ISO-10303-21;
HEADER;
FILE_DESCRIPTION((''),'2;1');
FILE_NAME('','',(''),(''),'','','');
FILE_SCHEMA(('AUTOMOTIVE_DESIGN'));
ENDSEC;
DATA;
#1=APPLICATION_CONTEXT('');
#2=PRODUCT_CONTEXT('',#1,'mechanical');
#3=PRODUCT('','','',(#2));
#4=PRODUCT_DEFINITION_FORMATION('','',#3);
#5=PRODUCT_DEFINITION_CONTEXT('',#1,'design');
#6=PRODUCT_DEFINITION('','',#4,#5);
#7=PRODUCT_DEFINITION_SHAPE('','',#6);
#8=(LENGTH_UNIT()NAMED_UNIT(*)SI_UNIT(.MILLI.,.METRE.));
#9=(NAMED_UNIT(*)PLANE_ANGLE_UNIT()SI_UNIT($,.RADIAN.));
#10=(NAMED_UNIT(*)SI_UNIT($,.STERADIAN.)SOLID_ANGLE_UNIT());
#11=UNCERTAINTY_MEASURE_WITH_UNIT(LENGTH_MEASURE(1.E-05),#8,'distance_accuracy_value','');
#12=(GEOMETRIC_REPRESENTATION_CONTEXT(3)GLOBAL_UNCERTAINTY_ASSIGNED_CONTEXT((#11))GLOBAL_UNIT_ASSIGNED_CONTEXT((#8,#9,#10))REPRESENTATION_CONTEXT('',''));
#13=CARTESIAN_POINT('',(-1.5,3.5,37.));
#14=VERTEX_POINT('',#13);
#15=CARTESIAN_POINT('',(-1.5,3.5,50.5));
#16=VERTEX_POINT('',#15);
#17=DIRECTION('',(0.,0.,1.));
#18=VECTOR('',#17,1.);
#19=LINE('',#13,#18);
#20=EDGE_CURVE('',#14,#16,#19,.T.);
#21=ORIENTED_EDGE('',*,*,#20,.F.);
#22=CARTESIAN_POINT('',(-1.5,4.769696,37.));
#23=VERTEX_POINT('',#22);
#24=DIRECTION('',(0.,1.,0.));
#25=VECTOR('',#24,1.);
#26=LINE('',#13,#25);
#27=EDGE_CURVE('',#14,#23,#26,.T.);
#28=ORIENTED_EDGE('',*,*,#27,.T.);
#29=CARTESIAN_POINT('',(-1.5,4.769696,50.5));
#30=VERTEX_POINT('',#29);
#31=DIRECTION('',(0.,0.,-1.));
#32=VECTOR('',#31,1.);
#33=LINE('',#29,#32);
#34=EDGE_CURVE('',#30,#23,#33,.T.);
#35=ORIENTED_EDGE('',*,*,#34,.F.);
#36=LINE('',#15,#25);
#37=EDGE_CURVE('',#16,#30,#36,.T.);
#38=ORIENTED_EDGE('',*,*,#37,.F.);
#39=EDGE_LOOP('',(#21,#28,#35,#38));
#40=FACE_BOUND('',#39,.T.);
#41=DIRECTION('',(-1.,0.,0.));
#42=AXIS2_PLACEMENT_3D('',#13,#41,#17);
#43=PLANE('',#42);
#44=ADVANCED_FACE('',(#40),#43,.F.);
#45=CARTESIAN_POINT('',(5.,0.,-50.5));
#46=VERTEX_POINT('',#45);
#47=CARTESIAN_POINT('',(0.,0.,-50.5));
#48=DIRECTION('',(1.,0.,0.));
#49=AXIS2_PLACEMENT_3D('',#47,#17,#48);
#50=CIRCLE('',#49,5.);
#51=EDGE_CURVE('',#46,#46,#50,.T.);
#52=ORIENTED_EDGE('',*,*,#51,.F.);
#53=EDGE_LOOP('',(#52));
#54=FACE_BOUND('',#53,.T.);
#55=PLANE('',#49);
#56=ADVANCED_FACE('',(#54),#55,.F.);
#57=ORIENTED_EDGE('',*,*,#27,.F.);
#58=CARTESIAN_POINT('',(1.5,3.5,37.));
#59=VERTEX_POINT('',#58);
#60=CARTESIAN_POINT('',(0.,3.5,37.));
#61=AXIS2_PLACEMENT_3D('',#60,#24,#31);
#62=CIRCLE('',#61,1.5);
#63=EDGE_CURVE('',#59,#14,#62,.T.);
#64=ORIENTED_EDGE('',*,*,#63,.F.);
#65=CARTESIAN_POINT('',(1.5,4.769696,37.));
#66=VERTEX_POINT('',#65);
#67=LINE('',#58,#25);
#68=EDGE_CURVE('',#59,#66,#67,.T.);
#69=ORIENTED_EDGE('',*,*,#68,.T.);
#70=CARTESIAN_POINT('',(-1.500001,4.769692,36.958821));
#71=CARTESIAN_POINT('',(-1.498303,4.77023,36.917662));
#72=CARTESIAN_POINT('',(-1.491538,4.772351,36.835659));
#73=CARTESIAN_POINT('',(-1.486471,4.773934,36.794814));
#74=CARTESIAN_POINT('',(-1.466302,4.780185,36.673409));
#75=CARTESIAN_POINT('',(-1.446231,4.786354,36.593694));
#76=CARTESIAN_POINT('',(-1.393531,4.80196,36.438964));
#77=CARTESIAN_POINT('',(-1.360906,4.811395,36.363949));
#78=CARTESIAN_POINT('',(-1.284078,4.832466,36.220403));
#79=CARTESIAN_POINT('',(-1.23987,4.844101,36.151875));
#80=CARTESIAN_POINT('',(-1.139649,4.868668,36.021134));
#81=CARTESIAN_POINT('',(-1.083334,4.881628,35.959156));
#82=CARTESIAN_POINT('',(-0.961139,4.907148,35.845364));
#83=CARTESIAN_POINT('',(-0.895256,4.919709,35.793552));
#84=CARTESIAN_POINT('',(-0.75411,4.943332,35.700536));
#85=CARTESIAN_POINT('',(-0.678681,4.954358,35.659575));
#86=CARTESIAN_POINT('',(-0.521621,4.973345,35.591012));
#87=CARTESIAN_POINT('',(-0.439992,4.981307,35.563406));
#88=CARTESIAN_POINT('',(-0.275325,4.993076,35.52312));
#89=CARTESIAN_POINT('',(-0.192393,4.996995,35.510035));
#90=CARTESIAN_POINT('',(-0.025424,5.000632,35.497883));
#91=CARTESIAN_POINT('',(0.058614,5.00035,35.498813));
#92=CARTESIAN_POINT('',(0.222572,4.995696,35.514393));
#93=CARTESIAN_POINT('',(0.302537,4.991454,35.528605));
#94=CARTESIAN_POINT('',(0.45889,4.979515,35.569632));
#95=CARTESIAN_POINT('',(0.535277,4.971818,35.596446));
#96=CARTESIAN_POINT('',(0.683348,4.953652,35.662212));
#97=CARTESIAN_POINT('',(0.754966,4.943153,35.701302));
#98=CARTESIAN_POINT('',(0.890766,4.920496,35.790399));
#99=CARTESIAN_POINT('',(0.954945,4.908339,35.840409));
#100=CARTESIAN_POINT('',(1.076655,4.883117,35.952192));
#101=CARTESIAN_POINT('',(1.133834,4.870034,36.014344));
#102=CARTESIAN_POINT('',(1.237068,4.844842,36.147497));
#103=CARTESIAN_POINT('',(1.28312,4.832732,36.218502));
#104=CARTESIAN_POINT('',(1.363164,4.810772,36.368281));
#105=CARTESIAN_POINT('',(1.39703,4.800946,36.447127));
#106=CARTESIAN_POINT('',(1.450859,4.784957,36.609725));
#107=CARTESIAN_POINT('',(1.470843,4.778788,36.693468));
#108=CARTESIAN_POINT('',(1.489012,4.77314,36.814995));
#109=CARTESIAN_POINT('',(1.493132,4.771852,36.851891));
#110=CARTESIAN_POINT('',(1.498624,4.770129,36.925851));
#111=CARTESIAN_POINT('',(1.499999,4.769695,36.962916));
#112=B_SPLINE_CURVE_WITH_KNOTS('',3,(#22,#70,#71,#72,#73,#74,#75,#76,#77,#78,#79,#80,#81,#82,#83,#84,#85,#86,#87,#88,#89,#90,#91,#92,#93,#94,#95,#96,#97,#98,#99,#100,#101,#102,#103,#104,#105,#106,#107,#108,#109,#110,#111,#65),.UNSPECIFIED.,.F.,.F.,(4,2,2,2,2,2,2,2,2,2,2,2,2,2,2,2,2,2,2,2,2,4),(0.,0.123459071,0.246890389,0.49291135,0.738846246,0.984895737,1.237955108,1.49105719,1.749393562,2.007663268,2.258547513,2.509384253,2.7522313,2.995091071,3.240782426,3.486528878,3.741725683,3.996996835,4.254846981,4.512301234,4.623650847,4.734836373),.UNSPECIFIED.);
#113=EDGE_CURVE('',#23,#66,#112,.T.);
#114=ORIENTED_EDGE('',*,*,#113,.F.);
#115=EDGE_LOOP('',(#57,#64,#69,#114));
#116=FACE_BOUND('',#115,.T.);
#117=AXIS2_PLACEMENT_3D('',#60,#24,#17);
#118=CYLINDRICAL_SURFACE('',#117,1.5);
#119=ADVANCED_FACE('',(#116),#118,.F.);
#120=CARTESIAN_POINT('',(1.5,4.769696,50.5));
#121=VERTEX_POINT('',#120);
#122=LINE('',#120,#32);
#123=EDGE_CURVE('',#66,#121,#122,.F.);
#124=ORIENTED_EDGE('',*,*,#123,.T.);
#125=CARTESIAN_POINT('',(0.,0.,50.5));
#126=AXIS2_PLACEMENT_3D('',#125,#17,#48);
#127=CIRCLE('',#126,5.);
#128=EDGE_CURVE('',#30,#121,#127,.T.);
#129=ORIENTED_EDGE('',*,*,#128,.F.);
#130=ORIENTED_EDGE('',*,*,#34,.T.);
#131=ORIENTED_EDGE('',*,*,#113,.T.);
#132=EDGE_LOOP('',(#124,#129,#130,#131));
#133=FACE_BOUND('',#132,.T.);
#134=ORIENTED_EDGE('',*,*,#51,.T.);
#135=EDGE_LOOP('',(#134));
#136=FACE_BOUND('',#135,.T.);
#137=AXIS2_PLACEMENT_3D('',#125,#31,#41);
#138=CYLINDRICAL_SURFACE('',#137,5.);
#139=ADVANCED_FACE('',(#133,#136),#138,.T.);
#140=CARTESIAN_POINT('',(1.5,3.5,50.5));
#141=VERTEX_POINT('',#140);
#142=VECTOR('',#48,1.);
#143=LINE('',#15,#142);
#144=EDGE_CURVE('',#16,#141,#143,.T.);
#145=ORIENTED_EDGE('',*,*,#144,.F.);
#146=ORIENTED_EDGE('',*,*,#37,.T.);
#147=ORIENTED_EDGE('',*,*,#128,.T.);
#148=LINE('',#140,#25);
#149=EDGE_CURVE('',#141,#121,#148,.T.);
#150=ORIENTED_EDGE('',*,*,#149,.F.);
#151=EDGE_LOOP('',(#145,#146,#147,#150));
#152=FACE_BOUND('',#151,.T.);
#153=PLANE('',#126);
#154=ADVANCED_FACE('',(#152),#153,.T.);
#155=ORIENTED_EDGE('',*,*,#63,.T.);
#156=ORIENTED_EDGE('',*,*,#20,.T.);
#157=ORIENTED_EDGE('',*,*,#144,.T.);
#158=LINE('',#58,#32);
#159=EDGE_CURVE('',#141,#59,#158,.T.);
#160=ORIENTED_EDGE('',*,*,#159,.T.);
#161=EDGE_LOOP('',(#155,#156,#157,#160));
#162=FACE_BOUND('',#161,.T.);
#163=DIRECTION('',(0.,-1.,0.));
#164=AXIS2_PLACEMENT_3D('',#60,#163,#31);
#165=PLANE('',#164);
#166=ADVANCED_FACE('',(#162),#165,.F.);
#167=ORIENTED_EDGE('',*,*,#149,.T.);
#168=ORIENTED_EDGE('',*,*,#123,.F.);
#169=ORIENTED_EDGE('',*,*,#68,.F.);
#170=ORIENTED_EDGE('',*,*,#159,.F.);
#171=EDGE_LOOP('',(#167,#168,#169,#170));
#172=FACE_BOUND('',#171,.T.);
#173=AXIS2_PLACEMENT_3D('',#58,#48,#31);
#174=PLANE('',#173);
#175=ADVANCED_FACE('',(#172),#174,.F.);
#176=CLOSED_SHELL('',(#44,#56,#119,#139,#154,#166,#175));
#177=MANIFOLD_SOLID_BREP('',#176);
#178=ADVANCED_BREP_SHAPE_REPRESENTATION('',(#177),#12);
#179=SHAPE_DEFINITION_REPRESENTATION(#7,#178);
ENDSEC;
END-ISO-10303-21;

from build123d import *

# Parameters (mm, degrees)
SKETCH1_R           = 5
BOSS_EXTRUDE1_DEPTH = 50.5
CUT_EXTRUDE1_START  = 5
CUT_EXTRUDE1_DEPTH  = 1.5


with BuildPart() as part:
    # Sketch1 → Boss-Extrude1 (new, symmetric)
    with BuildSketch(Plane.XY):
        Circle(SKETCH1_R)
    extrude(amount=BOSS_EXTRUDE1_DEPTH, both=True)

    # Sketch2 → Cut-Extrude1 (cut)
    with BuildSketch(Plane(origin=(0, 0, 0), x_dir=(1, 0, 0), z_dir=(0, 1, 0)).offset(CUT_EXTRUDE1_START)):
        with BuildLine():
            Line((-1.5, -37), (-1.5, -50.5))
            Line((-1.5, -50.5), (1.5, -50.5))
            Line((1.5, -50.5), (1.5, -37))
            ThreePointArc((1.5, -37), (0, -35.5), (-1.5, -37))
        make_face()
    extrude(amount=-CUT_EXTRUDE1_DEPTH, mode=Mode.SUBTRACT)


solid = part.part
